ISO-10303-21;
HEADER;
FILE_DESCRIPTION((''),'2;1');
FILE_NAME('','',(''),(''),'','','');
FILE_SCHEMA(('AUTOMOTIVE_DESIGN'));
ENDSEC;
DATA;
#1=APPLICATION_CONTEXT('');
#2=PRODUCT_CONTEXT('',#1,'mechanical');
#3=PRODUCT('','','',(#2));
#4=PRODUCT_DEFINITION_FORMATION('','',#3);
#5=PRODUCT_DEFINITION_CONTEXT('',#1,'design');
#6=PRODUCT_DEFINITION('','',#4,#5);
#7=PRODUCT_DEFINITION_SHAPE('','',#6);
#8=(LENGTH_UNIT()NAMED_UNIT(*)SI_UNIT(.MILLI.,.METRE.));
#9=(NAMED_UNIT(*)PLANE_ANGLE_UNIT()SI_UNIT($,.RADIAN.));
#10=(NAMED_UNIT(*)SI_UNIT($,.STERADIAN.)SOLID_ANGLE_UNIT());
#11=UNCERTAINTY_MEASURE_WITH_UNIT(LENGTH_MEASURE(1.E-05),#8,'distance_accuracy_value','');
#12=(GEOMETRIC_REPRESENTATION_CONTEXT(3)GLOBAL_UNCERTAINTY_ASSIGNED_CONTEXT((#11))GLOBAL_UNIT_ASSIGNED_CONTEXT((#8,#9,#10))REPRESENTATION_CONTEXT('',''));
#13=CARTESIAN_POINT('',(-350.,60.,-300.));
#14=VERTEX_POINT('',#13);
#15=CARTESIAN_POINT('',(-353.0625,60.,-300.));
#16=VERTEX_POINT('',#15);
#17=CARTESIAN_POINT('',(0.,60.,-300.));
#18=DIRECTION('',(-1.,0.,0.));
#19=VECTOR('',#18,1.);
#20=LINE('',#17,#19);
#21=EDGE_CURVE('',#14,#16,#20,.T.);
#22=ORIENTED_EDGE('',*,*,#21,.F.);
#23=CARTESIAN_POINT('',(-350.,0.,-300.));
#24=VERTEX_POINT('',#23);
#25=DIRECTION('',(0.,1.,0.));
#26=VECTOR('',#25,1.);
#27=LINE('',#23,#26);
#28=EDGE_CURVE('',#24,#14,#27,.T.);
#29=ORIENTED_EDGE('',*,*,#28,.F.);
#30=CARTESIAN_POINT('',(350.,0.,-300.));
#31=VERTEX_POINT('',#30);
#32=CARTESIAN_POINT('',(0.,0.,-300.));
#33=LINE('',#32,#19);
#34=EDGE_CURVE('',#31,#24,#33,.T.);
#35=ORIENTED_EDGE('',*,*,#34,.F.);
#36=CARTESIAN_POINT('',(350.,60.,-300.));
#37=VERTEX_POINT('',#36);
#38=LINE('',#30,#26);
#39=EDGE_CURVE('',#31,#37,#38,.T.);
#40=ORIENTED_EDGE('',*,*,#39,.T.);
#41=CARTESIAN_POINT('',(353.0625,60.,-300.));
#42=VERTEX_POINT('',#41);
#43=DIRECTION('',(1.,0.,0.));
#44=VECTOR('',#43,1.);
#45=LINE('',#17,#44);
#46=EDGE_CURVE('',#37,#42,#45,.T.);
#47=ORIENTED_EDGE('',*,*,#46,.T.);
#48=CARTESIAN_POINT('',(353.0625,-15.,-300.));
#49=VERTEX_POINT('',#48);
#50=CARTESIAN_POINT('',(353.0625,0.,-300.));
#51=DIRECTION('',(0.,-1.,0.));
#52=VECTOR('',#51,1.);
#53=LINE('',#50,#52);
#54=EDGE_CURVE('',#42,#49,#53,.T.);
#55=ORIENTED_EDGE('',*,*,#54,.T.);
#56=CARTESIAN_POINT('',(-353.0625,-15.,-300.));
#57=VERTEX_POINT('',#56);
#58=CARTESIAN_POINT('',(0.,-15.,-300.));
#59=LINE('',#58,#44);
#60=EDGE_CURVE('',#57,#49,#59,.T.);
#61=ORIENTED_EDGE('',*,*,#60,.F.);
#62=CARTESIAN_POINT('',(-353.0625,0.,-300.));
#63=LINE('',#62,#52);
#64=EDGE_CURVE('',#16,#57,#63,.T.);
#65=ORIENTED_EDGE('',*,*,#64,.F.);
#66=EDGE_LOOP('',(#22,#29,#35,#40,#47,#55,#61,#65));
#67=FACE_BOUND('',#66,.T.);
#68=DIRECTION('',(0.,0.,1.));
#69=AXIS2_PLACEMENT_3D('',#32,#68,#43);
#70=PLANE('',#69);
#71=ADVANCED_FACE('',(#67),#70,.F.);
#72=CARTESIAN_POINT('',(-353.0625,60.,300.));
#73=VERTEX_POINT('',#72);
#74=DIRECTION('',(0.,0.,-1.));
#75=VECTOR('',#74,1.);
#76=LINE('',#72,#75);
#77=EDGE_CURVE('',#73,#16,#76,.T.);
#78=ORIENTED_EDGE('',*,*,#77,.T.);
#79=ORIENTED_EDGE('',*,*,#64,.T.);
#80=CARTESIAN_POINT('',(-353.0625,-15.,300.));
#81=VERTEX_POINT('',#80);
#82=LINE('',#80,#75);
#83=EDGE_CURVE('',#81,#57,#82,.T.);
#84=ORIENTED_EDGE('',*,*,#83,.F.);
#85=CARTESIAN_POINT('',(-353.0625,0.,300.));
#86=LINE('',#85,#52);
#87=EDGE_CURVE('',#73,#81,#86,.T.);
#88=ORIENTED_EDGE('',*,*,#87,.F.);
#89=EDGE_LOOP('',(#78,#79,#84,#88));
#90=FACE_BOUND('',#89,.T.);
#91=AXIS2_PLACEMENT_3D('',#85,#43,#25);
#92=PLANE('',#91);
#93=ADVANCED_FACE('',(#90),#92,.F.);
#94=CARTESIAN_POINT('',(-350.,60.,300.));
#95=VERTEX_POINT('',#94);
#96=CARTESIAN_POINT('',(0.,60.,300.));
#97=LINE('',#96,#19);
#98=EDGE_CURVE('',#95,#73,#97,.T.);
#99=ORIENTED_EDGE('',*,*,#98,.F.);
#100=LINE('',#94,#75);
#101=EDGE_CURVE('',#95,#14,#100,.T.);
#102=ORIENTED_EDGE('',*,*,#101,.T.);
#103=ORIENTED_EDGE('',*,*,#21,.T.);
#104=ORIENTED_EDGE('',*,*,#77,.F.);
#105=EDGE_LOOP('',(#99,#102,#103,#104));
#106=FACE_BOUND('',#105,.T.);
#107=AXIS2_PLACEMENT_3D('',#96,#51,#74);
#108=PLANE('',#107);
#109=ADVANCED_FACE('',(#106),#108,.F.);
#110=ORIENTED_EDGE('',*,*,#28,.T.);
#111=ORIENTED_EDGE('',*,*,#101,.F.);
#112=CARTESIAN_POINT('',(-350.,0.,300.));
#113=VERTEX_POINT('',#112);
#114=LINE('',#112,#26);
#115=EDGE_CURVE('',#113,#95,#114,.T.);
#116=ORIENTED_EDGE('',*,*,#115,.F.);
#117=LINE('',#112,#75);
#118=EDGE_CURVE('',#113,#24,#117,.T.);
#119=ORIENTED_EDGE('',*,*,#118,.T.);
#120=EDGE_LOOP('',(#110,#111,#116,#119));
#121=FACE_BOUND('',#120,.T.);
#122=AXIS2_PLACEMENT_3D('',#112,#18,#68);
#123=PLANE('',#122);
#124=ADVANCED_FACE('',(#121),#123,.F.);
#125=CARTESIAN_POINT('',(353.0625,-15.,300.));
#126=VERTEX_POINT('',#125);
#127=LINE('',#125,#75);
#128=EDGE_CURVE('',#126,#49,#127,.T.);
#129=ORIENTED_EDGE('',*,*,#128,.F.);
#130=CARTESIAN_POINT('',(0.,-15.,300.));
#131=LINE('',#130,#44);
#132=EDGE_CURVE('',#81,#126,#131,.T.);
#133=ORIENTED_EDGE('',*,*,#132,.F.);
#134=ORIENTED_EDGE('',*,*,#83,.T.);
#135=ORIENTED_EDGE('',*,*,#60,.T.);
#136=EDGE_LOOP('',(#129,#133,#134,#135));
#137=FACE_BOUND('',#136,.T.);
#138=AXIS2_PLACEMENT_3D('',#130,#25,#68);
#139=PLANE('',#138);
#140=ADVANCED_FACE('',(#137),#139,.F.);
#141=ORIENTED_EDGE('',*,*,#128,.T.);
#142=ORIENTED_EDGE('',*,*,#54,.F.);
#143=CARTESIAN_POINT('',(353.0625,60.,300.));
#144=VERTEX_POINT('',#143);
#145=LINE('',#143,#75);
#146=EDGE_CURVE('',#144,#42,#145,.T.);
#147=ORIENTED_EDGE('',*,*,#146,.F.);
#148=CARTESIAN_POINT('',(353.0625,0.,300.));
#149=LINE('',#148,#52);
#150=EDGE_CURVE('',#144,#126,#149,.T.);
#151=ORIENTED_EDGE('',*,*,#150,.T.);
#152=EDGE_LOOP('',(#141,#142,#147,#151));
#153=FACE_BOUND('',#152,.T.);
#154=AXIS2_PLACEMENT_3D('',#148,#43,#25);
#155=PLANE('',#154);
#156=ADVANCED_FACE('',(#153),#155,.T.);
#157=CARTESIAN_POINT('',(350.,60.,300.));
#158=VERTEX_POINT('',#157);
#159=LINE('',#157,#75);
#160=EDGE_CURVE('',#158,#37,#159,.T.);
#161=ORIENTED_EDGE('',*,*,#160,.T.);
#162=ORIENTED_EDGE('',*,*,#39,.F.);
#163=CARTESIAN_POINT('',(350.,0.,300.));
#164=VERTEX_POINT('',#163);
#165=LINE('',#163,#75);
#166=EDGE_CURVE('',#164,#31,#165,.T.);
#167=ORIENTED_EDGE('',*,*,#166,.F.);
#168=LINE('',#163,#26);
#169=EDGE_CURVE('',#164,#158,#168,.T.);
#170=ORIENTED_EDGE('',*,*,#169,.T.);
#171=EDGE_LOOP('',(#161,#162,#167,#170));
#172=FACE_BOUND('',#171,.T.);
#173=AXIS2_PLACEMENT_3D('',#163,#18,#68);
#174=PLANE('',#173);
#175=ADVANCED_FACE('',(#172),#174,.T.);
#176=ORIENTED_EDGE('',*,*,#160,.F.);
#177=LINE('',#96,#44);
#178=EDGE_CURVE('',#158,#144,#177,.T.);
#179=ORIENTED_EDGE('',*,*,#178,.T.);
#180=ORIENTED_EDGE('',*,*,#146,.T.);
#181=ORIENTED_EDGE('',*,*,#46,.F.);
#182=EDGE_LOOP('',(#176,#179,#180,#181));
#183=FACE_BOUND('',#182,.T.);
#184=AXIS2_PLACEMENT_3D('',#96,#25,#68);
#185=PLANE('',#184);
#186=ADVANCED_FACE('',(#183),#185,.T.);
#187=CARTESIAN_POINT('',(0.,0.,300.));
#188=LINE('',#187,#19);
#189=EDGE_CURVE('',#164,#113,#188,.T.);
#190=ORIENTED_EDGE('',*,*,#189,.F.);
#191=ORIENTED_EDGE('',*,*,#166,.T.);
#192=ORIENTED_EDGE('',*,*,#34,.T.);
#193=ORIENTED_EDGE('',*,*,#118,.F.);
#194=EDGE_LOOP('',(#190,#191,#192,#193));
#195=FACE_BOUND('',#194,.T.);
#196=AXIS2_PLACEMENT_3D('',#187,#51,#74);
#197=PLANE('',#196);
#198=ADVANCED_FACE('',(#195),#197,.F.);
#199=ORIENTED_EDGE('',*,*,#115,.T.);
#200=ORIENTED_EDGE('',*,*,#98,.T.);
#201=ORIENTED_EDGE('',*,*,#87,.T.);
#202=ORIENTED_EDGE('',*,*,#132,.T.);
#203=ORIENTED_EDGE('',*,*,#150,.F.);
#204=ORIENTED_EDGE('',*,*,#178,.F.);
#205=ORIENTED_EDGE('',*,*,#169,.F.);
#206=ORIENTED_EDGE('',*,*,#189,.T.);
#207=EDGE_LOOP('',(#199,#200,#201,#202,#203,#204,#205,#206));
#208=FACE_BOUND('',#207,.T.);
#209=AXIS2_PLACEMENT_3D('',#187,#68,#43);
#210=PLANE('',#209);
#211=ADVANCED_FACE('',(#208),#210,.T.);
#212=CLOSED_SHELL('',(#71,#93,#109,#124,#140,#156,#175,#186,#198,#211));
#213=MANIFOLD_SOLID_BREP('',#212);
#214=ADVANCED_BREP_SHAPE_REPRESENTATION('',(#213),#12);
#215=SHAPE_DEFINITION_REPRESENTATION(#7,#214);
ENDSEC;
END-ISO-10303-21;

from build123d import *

# Parameters (mm, degrees)
SALIENTE_EXTRUIR1_DEPTH = 300


with BuildPart() as part:
    # Croquis1 → Saliente-Extruir1 (new, symmetric)
    with BuildSketch(Plane.XY):
        Polygon((0, -15), (0, 0), (-350, 0), (-350, 60), (-353.0625, 60), (-353.0625, -15), align=None)
        Polygon((350, 60), (350, 0), (0, 0), (0, -15), (353.0625, -15), (353.0625, 60), align=None)
    extrude(amount=SALIENTE_EXTRUIR1_DEPTH, both=True)


solid = part.part
